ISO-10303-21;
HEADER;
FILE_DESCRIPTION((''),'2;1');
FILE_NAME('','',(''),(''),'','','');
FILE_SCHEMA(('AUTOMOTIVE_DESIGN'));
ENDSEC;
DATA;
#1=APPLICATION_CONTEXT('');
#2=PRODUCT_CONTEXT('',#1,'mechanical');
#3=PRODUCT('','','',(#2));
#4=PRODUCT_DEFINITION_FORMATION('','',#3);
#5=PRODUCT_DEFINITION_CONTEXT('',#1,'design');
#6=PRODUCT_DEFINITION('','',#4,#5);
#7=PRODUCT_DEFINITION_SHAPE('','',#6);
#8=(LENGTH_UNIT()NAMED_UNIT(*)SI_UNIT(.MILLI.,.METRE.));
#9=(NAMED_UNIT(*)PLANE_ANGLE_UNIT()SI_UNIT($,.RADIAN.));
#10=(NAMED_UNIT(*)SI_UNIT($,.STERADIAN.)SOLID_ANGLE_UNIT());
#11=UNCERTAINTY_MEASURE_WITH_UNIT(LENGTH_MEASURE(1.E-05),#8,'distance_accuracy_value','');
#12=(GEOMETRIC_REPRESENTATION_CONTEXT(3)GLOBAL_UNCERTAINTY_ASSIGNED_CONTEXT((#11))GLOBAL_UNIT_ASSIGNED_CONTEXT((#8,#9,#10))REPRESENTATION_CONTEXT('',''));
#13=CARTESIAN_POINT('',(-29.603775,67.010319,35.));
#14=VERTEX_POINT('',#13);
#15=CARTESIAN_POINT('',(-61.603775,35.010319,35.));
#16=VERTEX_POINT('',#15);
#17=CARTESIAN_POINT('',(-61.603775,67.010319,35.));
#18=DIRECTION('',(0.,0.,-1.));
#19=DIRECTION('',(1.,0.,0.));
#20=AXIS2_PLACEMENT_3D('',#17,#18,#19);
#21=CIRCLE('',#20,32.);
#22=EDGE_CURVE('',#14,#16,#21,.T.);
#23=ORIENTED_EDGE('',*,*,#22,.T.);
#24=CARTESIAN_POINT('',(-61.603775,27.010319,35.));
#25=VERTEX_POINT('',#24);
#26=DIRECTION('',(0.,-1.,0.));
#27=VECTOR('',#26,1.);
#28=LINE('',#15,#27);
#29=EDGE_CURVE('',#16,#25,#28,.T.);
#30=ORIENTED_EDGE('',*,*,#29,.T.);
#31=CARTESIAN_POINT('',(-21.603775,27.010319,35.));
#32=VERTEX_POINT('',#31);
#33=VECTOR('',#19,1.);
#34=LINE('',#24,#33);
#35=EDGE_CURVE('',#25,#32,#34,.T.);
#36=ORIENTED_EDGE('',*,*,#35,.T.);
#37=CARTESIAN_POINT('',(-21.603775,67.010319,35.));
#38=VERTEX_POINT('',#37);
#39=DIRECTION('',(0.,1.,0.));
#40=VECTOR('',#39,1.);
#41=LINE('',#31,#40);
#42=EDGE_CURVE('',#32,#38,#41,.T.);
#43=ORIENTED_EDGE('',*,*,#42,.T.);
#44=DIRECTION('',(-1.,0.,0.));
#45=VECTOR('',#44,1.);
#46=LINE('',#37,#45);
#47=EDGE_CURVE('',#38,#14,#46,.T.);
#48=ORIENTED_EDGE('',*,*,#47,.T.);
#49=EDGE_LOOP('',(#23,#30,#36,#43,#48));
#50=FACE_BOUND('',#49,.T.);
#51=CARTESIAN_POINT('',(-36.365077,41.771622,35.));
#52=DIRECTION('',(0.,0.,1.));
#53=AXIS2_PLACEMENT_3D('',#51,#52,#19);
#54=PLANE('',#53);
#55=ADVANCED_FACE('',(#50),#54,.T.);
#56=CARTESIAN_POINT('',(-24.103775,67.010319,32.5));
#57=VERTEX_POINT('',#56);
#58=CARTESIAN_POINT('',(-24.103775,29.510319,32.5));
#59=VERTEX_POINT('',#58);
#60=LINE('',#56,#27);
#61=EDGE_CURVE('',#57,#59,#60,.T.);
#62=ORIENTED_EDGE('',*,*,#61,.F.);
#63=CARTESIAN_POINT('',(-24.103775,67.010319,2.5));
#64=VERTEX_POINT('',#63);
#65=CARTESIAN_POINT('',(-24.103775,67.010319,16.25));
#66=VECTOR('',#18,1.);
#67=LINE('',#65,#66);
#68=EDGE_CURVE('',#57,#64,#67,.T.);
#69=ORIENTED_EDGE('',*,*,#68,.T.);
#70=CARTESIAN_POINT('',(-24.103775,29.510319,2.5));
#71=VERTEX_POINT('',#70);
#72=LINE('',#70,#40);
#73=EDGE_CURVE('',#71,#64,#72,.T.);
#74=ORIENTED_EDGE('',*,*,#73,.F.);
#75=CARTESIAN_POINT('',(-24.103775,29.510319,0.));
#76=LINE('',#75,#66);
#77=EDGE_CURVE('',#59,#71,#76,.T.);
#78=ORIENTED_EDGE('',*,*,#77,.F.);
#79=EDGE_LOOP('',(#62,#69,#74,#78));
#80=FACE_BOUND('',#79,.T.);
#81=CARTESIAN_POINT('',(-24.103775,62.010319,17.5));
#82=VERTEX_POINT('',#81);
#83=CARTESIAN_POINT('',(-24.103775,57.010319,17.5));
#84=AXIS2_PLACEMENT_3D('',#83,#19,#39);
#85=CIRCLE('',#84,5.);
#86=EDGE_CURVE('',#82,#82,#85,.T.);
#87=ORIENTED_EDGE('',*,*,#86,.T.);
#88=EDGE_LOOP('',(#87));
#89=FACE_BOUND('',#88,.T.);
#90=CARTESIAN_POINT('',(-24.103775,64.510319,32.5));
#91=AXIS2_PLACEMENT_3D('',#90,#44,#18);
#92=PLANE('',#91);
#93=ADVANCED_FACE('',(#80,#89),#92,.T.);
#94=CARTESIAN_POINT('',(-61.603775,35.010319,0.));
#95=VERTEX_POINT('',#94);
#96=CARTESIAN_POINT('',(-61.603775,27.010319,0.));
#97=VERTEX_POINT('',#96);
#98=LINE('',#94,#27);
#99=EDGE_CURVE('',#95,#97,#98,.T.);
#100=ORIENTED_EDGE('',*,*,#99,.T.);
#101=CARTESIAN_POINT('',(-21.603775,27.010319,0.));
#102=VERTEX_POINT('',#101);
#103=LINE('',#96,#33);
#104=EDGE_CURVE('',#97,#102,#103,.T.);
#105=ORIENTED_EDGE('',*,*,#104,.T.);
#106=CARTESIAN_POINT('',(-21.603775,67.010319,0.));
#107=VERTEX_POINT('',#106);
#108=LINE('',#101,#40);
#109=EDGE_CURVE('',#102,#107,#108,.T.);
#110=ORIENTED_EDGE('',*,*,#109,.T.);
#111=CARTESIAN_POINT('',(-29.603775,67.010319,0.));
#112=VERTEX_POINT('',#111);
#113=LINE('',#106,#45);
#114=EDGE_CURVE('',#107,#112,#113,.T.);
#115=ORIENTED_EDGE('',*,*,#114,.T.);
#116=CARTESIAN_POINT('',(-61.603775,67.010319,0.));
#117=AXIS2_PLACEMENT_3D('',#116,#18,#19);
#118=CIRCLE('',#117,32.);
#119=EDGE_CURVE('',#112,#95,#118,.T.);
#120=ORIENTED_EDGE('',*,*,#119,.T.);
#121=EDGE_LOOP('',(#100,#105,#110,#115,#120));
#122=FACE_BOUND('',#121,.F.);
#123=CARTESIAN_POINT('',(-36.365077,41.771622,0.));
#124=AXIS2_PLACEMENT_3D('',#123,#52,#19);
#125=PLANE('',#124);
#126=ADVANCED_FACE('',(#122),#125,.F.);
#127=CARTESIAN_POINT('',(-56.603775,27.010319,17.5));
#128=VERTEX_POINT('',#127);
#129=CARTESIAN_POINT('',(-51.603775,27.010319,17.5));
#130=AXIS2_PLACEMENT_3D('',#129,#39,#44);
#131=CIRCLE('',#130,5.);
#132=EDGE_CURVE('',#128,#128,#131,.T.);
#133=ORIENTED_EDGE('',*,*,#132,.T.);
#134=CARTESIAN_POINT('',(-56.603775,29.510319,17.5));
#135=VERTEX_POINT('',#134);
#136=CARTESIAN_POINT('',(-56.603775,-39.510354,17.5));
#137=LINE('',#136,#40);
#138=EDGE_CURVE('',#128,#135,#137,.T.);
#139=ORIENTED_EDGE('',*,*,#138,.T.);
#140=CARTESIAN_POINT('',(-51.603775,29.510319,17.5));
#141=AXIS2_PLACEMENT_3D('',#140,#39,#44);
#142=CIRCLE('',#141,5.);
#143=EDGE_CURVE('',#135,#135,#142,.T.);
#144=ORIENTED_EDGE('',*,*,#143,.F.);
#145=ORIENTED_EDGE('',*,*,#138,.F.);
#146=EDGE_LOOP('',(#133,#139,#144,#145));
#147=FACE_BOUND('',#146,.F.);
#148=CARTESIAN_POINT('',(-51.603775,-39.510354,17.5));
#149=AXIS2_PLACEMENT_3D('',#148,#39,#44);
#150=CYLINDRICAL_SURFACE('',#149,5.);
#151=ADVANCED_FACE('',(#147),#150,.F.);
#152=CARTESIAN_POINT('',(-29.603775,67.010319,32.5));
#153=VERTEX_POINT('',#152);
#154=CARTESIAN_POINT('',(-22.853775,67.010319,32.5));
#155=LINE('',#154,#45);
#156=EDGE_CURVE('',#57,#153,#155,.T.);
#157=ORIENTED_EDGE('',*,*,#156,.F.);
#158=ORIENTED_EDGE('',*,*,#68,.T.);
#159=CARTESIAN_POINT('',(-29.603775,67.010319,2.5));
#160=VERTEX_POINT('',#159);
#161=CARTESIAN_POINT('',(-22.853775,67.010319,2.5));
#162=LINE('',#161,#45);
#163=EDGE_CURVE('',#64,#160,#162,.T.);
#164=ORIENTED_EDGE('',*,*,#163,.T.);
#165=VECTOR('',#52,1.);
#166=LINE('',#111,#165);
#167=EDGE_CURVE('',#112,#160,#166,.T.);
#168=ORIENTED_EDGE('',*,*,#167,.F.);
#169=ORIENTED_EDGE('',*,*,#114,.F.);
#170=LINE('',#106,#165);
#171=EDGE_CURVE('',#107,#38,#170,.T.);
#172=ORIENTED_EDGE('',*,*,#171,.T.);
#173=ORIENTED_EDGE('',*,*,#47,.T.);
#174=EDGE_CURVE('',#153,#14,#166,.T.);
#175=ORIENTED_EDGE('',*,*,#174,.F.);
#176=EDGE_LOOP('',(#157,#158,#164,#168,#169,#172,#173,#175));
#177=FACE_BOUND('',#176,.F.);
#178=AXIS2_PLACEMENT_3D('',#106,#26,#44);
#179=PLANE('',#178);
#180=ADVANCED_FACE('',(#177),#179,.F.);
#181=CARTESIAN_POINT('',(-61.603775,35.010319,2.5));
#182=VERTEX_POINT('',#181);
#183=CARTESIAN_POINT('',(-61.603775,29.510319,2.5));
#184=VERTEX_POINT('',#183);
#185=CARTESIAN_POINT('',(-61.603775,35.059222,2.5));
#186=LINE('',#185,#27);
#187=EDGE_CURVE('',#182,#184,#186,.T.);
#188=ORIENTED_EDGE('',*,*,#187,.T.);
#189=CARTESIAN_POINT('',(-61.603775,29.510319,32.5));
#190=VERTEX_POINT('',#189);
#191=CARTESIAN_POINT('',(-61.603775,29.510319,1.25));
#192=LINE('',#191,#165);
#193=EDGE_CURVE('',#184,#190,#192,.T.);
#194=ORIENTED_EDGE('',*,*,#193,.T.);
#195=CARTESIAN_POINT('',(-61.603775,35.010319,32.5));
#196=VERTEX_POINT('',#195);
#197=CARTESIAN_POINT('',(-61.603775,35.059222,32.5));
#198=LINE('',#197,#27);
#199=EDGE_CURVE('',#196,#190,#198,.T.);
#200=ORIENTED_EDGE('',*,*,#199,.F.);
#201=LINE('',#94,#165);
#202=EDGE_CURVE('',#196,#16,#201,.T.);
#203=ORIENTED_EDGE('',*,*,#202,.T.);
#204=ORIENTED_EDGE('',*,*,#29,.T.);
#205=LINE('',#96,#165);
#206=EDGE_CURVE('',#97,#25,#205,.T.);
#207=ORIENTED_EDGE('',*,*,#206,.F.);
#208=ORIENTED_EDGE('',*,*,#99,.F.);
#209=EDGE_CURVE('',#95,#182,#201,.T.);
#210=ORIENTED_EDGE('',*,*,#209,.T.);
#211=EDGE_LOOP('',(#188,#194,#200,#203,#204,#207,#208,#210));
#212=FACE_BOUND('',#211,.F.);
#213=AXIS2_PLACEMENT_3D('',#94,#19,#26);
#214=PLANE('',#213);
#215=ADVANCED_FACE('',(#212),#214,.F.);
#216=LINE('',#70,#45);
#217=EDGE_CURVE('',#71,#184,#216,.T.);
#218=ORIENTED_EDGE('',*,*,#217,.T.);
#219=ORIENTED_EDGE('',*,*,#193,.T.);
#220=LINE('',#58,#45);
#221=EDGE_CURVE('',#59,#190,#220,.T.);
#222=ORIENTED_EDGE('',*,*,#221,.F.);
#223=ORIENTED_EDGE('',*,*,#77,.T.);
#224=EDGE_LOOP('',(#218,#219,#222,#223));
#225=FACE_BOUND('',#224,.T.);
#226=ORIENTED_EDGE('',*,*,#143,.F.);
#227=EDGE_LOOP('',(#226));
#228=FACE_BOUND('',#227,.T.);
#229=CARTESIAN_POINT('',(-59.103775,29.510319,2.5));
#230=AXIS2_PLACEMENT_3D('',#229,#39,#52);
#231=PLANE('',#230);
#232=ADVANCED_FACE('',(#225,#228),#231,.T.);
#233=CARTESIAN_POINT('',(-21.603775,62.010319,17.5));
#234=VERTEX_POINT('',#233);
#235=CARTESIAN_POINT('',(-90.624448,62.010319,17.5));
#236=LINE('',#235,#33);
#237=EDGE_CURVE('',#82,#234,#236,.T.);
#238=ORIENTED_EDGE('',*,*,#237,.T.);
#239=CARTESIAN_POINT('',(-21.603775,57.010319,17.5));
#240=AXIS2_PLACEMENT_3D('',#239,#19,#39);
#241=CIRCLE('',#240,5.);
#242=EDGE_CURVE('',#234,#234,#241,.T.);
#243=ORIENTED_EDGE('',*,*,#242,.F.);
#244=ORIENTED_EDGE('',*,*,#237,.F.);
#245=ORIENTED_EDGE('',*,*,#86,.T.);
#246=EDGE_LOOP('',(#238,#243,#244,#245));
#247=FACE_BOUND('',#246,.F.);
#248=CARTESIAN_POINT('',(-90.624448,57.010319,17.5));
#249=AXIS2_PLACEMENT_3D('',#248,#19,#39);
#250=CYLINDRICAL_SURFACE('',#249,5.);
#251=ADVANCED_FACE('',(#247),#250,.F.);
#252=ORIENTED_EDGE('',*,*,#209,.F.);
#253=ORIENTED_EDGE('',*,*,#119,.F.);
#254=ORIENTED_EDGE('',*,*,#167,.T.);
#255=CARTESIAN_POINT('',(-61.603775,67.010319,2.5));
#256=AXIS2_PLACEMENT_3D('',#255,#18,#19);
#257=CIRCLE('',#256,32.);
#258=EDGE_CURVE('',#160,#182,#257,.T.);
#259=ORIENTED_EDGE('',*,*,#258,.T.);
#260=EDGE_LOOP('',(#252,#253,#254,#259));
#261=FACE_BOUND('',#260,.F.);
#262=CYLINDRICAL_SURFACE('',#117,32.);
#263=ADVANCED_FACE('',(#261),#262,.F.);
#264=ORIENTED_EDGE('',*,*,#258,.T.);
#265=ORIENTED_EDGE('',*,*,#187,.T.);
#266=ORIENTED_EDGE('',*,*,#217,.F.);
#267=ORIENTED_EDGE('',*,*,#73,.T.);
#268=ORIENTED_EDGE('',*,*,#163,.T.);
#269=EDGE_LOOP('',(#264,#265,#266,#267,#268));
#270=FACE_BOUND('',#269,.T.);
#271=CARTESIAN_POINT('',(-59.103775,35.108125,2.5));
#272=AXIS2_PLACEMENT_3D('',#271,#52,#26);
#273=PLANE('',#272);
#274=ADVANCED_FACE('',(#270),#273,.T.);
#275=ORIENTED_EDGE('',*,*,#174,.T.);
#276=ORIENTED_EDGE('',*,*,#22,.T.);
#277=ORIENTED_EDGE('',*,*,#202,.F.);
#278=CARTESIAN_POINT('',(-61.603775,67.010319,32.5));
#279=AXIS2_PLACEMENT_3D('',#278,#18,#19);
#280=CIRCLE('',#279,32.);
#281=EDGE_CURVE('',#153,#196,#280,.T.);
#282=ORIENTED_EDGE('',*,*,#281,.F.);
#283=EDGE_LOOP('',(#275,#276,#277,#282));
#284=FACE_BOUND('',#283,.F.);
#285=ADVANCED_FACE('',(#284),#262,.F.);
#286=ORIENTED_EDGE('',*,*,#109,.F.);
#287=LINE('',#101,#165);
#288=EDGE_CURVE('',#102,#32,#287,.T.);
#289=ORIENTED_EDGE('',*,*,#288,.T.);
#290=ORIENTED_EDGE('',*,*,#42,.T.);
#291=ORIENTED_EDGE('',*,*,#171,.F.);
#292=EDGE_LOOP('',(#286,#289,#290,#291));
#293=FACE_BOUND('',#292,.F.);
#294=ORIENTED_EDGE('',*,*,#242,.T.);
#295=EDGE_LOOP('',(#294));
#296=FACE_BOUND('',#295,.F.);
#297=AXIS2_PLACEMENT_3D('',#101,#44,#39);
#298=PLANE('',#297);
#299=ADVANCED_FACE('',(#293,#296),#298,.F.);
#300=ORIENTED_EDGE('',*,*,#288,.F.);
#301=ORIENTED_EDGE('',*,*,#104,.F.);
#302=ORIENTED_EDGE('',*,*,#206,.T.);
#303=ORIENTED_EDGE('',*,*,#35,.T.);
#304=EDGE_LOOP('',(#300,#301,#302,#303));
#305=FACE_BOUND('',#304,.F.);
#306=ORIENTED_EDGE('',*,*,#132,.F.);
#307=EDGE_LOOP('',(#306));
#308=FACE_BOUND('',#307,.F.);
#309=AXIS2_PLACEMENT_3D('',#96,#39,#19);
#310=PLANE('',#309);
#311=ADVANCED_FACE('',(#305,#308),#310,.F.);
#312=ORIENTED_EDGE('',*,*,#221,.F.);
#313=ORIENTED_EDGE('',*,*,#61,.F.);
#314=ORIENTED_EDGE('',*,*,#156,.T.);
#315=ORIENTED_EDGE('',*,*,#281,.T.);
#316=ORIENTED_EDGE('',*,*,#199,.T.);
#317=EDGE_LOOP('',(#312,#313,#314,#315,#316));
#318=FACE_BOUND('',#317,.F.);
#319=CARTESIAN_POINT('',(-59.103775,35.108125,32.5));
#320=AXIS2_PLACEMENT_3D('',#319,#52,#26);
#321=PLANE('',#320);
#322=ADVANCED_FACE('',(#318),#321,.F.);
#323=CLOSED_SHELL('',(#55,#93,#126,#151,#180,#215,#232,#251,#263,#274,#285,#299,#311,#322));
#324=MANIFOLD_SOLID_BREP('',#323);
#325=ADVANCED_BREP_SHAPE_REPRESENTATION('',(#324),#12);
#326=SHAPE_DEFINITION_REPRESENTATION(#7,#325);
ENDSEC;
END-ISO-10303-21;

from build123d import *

# Parameters (mm, degrees)
F1_DEPTH = 35
F2_T     = -2.5
F3_DEPTH = 25
F4_DEPTH = 25
F6_D     = 10
F8_D     = 10


with BuildPart() as f1:
    # F0 (on Top) → F1 (new body)
    with BuildSketch(Plane.XY):
        with BuildLine():
            Line((-21.6037747636, 67.0103192031), (-29.6037747636, 67.0103192031))
            ThreePointArc((-29.6037747636, 67.0103192031), (-38.9763577657, 44.3829022052), (-61.6037747636, 35.0103192031))
            Line((-61.6037747636, 35.0103192031), (-61.6037747636, 27.0103192031))
            Line((-61.6037747636, 27.0103192031), (-21.6037747636, 27.0103192031))
            Line((-21.6037747636, 27.0103192031), (-21.6037747636, 67.0103192031))
        make_face()
    extrude(amount=F1_DEPTH)

    # F2
    f2_openings = [f1.faces().sort_by_distance(p)[0] for p in [
        (-38.976358, 44.382902, 17.5),
    ]]
    offset(amount=F2_T, openings=f2_openings)

    # F3 (cut): a face of the model
    f3_faces = [f1.faces().sort_by_distance(p)[0] for p in [
        (-26.9026776227, 64.5103192031, 17.5),
    ]]
    extrude(f3_faces, amount=-F3_DEPTH, mode=Mode.SUBTRACT)

    # F4 (cut): a face of the model
    f4_faces = [f1.faces().sort_by_distance(p)[0] for p in [
        (-59.1037747636, 32.3092220622, 17.5),
    ]]
    extrude(f4_faces, amount=-F4_DEPTH, mode=Mode.SUBTRACT)

    # F6 (through all)
    with Locations(Plane(origin=(-24.1037747636, 0, 0), x_dir=(0, -1, 0), z_dir=(-1, 0, 0))):
        with Locations((-57.0103192031, 17.5)):
            Hole(F6_D / 2)

    # F8 (through all)
    with Locations(Plane.XZ.offset(-27.0103192031)):
        with Locations((-51.6037747636, 17.5)):
            Hole(F8_D / 2)


solid = f1.part
